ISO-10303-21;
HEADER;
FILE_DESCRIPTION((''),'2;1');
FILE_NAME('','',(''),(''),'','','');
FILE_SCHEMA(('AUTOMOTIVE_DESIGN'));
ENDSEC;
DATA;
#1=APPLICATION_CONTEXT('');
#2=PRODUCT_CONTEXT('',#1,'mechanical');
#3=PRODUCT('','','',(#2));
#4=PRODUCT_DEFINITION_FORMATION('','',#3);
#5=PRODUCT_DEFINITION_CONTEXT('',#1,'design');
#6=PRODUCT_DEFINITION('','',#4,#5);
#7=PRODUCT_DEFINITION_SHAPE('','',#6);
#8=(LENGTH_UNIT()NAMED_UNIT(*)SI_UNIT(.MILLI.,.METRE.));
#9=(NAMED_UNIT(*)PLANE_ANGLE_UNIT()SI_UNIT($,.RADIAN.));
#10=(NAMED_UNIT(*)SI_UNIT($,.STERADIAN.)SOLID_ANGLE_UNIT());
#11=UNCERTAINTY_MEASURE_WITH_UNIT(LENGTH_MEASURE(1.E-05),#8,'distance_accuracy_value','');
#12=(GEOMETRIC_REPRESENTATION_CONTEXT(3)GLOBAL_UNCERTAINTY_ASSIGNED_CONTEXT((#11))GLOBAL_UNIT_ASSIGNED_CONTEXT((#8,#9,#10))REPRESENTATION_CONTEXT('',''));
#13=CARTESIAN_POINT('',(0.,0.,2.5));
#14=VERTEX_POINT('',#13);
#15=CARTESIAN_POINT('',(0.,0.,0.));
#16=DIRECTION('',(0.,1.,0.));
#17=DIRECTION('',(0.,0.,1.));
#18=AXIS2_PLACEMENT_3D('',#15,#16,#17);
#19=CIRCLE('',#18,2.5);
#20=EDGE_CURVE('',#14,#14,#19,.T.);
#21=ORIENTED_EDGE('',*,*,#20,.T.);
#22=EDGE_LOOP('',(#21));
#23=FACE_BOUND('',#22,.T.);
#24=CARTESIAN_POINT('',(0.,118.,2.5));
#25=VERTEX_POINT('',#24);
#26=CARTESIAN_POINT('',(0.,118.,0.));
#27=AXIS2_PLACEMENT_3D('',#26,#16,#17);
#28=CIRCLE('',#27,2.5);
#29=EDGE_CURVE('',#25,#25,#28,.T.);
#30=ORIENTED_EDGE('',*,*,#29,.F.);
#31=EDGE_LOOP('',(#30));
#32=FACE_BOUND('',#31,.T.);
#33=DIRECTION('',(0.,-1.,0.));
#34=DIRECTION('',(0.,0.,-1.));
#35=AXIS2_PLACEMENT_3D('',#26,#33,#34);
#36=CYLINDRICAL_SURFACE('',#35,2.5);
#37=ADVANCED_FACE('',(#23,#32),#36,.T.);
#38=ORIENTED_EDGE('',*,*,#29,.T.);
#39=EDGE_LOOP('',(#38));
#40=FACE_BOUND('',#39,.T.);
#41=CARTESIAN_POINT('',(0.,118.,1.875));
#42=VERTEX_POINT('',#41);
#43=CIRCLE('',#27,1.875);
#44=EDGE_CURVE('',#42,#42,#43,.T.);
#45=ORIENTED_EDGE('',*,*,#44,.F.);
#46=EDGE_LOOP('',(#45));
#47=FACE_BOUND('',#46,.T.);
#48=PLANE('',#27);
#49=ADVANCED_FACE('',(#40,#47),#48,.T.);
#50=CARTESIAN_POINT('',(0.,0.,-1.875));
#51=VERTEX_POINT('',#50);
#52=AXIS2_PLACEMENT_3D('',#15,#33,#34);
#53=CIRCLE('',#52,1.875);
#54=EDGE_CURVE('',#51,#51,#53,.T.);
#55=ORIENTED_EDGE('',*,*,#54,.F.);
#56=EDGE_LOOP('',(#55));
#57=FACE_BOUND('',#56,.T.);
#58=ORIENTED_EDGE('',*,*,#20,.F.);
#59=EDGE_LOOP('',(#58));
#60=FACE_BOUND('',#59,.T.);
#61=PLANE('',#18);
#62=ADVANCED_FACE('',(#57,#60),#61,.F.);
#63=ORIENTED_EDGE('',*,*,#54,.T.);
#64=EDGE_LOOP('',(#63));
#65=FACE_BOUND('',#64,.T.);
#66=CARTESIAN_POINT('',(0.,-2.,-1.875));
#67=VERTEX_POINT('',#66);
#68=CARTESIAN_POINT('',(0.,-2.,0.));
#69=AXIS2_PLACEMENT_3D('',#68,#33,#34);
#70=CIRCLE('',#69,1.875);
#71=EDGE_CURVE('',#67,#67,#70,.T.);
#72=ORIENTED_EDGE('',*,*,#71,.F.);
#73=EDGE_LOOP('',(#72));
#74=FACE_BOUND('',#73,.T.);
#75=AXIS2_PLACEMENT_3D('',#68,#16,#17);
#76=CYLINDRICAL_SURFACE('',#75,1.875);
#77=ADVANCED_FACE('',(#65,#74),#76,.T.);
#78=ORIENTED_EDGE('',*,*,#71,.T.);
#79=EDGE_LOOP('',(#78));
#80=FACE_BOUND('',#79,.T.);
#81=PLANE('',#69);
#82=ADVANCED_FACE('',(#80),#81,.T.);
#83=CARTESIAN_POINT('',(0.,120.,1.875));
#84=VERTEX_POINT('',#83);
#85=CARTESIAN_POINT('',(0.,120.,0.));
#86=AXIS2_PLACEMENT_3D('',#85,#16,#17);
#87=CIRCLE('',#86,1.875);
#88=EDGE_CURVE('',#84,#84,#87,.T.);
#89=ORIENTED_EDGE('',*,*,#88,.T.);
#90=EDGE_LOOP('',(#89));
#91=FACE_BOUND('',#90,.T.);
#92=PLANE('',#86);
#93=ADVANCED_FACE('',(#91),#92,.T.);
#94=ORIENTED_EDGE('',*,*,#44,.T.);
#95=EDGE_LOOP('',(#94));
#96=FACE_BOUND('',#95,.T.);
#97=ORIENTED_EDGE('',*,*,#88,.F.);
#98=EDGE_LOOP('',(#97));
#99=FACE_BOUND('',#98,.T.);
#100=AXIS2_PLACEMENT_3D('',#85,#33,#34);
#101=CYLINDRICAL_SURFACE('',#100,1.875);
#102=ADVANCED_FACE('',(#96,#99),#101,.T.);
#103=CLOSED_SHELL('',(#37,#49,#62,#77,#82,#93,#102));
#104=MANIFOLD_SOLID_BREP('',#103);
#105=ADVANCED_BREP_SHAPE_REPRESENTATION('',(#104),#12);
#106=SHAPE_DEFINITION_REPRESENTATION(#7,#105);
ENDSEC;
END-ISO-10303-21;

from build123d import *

# Parameters (mm, degrees)
CROQUIS1_R              = 2.5
SALIENTE_EXTRUIR1_DEPTH = 118
CROQUIS2_R              = 1.875
SALIENTE_EXTRUIR2_DEPTH = 2
CROQUIS3_R              = 1.875
SALIENTE_EXTRUIR3_DEPTH = 2


with BuildPart() as part:
    # Croquis1 → Saliente-Extruir1 (new body)
    with BuildSketch(Plane(origin=(0, 0, 0), x_dir=(1, 0, 0), z_dir=(0, 1, 0))):
        Circle(CROQUIS1_R)
    extrude(amount=SALIENTE_EXTRUIR1_DEPTH)

    # Croquis2 → Saliente-Extruir2 (add)
    with BuildSketch(Plane(origin=(0, 118, 0), x_dir=(1, 0, 0), z_dir=(0, 1, 0))):
        Circle(CROQUIS2_R)
    extrude(amount=SALIENTE_EXTRUIR2_DEPTH)

    # Croquis3 → Saliente-Extruir3 (add)
    with BuildSketch(Plane.XZ):
        Circle(CROQUIS3_R)
    extrude(amount=SALIENTE_EXTRUIR3_DEPTH)


solid = part.part
